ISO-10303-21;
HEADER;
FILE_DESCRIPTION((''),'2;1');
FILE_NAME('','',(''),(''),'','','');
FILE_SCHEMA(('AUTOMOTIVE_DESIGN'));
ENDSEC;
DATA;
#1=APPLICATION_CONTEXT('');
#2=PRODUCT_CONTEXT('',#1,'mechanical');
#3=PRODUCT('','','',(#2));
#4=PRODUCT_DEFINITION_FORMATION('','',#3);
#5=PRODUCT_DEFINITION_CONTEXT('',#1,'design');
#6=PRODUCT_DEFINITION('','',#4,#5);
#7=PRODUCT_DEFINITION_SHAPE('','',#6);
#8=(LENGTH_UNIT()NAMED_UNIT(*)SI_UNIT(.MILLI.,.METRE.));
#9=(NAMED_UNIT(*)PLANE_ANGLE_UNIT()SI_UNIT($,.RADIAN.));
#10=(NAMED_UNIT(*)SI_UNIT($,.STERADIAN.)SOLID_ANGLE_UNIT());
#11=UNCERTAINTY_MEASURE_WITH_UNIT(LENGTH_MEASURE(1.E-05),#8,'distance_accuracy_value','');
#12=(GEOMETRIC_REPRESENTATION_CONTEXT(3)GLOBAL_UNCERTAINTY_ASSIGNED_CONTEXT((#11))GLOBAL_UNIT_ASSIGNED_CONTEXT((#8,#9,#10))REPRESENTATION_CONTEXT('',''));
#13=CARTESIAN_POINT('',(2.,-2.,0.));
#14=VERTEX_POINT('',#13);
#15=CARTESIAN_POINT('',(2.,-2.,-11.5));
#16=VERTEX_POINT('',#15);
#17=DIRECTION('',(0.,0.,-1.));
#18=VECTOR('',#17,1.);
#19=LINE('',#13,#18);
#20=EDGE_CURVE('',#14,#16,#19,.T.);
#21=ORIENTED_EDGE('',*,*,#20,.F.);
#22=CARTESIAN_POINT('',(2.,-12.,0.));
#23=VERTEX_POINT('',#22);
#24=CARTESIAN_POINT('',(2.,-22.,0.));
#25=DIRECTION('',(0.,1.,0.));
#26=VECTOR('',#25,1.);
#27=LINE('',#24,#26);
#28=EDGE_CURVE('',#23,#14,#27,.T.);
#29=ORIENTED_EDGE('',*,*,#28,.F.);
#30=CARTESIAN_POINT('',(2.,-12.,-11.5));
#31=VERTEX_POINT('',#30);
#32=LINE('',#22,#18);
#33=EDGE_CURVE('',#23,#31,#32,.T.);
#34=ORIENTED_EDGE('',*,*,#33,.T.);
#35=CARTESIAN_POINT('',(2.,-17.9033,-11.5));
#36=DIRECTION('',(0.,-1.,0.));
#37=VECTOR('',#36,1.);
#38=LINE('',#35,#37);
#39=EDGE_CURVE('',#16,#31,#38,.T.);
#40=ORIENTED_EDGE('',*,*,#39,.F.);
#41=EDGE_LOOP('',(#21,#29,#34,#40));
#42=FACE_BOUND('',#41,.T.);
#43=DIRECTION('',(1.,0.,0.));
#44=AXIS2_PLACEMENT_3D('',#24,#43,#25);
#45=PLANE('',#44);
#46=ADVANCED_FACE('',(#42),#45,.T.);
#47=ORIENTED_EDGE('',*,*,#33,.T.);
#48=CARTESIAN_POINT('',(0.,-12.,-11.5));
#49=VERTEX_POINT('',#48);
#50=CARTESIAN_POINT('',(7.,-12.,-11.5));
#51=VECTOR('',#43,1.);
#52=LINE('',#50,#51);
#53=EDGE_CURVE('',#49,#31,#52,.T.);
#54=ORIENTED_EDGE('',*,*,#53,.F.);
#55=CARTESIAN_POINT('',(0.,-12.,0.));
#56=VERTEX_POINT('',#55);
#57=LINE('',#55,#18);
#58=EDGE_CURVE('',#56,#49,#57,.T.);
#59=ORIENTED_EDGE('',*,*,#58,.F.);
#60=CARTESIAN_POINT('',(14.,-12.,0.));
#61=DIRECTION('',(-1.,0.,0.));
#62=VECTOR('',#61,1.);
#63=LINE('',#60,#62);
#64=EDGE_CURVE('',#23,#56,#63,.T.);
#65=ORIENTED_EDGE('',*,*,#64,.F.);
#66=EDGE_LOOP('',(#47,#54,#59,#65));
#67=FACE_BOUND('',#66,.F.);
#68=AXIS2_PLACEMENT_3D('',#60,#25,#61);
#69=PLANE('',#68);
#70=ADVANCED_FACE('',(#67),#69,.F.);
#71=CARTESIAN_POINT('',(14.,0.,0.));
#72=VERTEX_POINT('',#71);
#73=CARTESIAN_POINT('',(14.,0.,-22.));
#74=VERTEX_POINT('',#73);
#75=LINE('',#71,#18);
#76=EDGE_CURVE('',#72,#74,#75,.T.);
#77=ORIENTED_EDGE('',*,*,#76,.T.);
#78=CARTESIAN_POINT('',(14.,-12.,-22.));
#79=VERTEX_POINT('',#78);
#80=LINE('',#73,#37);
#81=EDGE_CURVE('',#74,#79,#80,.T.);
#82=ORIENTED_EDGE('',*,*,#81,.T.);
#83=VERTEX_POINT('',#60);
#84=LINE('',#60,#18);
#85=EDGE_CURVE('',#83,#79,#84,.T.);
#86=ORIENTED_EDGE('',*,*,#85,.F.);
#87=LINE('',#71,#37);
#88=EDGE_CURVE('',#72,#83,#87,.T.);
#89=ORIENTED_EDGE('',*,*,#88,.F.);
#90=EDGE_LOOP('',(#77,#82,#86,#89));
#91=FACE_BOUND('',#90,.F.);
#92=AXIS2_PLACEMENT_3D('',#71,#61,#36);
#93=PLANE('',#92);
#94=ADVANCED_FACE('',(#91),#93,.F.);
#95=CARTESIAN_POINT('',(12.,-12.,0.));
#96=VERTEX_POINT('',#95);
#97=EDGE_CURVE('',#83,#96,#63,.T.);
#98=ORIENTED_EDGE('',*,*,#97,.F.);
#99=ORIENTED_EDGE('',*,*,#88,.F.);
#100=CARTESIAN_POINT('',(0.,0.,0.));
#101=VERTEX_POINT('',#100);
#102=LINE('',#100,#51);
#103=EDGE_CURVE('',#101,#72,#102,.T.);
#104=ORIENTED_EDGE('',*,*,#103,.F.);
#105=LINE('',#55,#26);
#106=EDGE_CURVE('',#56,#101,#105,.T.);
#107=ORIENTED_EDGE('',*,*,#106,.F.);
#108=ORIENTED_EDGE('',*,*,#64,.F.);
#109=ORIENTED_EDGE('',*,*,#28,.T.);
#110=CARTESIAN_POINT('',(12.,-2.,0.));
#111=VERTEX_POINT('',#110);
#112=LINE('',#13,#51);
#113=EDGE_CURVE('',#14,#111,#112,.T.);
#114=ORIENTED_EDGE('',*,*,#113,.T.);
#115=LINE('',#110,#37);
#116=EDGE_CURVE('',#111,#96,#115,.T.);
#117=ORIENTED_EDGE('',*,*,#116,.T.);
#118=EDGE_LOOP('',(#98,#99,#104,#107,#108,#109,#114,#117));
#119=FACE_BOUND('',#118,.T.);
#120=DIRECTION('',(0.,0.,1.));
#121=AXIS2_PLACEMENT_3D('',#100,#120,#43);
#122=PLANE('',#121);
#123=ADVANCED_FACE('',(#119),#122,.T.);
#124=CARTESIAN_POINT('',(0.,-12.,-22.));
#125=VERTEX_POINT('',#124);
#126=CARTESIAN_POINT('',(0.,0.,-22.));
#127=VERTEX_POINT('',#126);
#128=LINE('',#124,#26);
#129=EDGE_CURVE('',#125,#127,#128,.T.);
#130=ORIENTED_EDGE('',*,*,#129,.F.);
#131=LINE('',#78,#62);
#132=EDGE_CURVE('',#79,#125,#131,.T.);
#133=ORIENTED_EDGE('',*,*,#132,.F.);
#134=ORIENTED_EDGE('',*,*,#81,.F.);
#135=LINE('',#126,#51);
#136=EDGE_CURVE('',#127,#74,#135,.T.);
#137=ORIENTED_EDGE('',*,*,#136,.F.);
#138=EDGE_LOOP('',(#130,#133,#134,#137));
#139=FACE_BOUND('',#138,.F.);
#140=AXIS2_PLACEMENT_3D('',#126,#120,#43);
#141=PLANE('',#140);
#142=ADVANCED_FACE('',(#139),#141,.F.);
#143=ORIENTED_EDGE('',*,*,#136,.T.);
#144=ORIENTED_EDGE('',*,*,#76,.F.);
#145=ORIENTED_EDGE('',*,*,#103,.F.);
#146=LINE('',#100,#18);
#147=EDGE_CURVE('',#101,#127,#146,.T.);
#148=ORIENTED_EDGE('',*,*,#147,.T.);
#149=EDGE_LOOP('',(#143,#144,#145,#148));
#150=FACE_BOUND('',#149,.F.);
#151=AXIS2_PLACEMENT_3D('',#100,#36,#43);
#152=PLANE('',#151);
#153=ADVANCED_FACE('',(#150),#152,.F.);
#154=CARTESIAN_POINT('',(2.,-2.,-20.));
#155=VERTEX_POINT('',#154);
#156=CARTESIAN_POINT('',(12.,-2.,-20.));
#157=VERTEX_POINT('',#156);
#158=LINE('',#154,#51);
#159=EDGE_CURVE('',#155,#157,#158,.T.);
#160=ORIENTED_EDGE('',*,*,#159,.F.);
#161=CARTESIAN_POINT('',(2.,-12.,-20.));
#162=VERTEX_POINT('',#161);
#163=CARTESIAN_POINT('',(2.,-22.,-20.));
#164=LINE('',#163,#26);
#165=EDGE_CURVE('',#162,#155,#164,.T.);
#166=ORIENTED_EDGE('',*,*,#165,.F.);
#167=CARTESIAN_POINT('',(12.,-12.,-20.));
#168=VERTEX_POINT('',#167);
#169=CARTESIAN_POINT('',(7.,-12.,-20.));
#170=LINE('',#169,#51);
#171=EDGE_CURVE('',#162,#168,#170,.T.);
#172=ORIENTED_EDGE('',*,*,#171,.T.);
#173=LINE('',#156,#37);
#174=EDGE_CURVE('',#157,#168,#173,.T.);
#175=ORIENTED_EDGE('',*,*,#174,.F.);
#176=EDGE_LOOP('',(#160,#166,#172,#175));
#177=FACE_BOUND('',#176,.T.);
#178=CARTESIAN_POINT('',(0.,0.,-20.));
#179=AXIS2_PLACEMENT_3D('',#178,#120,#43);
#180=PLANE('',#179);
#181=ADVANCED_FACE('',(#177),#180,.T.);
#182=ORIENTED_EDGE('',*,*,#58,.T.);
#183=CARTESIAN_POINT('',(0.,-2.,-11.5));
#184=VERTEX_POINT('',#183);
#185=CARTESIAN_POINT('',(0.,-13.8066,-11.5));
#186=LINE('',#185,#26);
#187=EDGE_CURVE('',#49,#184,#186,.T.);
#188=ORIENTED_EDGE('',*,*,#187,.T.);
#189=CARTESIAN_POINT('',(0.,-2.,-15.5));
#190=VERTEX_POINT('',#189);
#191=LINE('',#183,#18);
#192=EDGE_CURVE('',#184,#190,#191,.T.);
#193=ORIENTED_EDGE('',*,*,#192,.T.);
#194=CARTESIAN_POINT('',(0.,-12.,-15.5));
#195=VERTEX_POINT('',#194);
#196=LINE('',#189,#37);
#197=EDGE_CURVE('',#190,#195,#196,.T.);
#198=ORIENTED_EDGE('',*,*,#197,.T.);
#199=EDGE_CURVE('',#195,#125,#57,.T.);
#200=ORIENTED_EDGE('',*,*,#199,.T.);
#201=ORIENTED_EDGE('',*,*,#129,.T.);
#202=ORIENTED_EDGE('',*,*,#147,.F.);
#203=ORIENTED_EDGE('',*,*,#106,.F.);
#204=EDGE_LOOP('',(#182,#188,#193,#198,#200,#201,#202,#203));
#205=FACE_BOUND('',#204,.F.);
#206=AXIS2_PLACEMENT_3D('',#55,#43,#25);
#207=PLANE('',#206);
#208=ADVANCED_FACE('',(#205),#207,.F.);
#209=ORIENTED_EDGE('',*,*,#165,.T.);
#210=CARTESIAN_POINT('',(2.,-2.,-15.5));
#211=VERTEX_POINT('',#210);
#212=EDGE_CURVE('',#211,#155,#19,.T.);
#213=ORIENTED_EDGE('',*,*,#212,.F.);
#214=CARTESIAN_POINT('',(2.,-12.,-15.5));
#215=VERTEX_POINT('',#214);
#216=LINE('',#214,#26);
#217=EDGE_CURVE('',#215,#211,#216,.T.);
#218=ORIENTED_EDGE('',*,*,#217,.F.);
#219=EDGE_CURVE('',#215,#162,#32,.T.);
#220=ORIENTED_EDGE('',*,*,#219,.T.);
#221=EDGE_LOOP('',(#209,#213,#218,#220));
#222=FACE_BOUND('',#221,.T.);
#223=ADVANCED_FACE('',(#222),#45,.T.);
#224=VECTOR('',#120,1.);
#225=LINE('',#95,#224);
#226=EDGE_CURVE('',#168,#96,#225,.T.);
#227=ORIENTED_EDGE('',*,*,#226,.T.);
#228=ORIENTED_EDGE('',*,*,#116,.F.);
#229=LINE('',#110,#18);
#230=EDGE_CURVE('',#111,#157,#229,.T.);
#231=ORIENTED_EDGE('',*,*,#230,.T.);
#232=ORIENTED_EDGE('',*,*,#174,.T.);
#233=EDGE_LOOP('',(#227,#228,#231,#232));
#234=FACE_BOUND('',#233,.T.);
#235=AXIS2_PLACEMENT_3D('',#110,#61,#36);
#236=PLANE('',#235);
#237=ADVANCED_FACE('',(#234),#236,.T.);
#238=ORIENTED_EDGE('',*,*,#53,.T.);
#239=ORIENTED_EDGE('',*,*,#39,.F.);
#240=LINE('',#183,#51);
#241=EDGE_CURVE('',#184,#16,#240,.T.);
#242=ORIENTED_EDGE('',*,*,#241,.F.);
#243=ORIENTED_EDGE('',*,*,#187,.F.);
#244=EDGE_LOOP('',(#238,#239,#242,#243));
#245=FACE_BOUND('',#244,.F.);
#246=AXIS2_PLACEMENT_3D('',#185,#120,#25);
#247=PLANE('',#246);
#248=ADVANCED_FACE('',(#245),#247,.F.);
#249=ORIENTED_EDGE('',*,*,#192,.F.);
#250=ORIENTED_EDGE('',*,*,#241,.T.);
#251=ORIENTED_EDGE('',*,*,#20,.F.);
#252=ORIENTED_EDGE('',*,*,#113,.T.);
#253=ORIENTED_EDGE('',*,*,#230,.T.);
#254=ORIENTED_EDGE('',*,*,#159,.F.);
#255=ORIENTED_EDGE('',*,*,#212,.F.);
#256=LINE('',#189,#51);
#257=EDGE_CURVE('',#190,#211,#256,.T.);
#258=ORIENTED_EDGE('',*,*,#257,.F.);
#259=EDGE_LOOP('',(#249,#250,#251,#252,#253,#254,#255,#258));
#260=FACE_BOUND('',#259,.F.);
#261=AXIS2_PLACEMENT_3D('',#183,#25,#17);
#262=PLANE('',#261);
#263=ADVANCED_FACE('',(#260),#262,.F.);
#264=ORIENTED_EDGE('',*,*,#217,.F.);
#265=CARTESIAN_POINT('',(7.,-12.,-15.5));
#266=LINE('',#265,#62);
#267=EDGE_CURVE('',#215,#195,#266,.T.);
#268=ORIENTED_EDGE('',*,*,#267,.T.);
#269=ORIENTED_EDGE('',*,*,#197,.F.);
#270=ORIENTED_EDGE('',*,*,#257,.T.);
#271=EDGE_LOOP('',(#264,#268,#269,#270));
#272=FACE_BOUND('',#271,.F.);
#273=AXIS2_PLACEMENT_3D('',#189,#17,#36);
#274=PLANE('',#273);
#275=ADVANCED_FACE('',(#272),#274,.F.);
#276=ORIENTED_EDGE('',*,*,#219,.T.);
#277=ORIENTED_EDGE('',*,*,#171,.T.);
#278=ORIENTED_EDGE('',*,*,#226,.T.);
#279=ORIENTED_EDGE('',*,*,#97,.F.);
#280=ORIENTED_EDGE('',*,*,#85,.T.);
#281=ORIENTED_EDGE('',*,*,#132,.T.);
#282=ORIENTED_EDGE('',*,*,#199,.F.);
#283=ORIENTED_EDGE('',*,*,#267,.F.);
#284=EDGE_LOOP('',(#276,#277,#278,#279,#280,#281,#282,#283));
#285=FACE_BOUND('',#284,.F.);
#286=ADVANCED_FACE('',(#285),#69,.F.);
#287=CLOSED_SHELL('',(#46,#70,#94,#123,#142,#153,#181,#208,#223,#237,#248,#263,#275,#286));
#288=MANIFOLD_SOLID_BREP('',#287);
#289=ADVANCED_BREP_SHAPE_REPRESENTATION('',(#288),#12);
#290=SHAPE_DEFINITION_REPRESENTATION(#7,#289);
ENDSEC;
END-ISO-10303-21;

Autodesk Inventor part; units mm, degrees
ref_plane "YZ Plane" through (0, 0, 0) normal (1, 0, 0) x (0, 1, 0)
ref_plane "XZ Plane" through (0, 0, 0) normal (0, 1, 0) x (-1, 0, 0)
ref_plane "XY Plane" through (0, 0, 0) normal (0, 0, 1) x (1, 0, 0)
sketch "Sketch1" plane through (0, 0, 0) normal (0, 0, 1) x (1, 0, 0)
  line L0 (0, 0) -> (14, 0)
  line L1 (14, 0) -> (14, -12)
  line L2 (14, -12) -> (0, -12)
  line L3 (0, -12) -> (0, 0)
  dimension "d0" = 14
  dimension "d1" = 12
extrude "Extrusion1" add sketch "Sketch1" against normal blind 22
sketch "Sketch2" plane through (0, 0, 0) normal (0, 0, 1) x (1, 0, 0)
  line L0 (2, -2) -> (12, -2)
  line L1 (12, -2) -> (12, -22)
  line L2 (12, -22) -> (2, -22)
  line L3 (2, -22) -> (2, -2)
  point P0 (0, 0)
  dimension "d4" = 10
  dimension "d5" = 20
extrude "Extrusion2" cut sketch "Sketch2" against normal blind 20
sketch "Sketch8" plane through (0, -12, 0) normal (-1, 0, 0) x (0, 0, 1)
  point P0 (0, 12)
sketch "Sketch9" plane through (0, -12, 0) normal (-1, 0, 0) x (0, 0, 1)
  point P0 (0, 12)
sketch "Sketch11" plane through (0, -12, 0) normal (-1, 0, 0) x (0, 0, 1)
  point P0 (0, 12)
sketch "Sketch12" plane through (0, -12, 0) normal (-1, 0, 0) x (0, 0, 1)
  line L0 (-11.5, 10) -> (-15.5, 10)
  line L1 (-15.5, 10) -> (-15.5, -1.8066)
  line L2 (-15.5, -1.8066) -> (-11.5, -1.8066)
  line L3 (-11.5, -1.8066) -> (-11.5, 10)
  point P0 (0, 12)
  dimension "d24" = 4
extrude "Extrusion8" cut sketch "Sketch12" against normal blind 10
properties part number "housing_v04"
